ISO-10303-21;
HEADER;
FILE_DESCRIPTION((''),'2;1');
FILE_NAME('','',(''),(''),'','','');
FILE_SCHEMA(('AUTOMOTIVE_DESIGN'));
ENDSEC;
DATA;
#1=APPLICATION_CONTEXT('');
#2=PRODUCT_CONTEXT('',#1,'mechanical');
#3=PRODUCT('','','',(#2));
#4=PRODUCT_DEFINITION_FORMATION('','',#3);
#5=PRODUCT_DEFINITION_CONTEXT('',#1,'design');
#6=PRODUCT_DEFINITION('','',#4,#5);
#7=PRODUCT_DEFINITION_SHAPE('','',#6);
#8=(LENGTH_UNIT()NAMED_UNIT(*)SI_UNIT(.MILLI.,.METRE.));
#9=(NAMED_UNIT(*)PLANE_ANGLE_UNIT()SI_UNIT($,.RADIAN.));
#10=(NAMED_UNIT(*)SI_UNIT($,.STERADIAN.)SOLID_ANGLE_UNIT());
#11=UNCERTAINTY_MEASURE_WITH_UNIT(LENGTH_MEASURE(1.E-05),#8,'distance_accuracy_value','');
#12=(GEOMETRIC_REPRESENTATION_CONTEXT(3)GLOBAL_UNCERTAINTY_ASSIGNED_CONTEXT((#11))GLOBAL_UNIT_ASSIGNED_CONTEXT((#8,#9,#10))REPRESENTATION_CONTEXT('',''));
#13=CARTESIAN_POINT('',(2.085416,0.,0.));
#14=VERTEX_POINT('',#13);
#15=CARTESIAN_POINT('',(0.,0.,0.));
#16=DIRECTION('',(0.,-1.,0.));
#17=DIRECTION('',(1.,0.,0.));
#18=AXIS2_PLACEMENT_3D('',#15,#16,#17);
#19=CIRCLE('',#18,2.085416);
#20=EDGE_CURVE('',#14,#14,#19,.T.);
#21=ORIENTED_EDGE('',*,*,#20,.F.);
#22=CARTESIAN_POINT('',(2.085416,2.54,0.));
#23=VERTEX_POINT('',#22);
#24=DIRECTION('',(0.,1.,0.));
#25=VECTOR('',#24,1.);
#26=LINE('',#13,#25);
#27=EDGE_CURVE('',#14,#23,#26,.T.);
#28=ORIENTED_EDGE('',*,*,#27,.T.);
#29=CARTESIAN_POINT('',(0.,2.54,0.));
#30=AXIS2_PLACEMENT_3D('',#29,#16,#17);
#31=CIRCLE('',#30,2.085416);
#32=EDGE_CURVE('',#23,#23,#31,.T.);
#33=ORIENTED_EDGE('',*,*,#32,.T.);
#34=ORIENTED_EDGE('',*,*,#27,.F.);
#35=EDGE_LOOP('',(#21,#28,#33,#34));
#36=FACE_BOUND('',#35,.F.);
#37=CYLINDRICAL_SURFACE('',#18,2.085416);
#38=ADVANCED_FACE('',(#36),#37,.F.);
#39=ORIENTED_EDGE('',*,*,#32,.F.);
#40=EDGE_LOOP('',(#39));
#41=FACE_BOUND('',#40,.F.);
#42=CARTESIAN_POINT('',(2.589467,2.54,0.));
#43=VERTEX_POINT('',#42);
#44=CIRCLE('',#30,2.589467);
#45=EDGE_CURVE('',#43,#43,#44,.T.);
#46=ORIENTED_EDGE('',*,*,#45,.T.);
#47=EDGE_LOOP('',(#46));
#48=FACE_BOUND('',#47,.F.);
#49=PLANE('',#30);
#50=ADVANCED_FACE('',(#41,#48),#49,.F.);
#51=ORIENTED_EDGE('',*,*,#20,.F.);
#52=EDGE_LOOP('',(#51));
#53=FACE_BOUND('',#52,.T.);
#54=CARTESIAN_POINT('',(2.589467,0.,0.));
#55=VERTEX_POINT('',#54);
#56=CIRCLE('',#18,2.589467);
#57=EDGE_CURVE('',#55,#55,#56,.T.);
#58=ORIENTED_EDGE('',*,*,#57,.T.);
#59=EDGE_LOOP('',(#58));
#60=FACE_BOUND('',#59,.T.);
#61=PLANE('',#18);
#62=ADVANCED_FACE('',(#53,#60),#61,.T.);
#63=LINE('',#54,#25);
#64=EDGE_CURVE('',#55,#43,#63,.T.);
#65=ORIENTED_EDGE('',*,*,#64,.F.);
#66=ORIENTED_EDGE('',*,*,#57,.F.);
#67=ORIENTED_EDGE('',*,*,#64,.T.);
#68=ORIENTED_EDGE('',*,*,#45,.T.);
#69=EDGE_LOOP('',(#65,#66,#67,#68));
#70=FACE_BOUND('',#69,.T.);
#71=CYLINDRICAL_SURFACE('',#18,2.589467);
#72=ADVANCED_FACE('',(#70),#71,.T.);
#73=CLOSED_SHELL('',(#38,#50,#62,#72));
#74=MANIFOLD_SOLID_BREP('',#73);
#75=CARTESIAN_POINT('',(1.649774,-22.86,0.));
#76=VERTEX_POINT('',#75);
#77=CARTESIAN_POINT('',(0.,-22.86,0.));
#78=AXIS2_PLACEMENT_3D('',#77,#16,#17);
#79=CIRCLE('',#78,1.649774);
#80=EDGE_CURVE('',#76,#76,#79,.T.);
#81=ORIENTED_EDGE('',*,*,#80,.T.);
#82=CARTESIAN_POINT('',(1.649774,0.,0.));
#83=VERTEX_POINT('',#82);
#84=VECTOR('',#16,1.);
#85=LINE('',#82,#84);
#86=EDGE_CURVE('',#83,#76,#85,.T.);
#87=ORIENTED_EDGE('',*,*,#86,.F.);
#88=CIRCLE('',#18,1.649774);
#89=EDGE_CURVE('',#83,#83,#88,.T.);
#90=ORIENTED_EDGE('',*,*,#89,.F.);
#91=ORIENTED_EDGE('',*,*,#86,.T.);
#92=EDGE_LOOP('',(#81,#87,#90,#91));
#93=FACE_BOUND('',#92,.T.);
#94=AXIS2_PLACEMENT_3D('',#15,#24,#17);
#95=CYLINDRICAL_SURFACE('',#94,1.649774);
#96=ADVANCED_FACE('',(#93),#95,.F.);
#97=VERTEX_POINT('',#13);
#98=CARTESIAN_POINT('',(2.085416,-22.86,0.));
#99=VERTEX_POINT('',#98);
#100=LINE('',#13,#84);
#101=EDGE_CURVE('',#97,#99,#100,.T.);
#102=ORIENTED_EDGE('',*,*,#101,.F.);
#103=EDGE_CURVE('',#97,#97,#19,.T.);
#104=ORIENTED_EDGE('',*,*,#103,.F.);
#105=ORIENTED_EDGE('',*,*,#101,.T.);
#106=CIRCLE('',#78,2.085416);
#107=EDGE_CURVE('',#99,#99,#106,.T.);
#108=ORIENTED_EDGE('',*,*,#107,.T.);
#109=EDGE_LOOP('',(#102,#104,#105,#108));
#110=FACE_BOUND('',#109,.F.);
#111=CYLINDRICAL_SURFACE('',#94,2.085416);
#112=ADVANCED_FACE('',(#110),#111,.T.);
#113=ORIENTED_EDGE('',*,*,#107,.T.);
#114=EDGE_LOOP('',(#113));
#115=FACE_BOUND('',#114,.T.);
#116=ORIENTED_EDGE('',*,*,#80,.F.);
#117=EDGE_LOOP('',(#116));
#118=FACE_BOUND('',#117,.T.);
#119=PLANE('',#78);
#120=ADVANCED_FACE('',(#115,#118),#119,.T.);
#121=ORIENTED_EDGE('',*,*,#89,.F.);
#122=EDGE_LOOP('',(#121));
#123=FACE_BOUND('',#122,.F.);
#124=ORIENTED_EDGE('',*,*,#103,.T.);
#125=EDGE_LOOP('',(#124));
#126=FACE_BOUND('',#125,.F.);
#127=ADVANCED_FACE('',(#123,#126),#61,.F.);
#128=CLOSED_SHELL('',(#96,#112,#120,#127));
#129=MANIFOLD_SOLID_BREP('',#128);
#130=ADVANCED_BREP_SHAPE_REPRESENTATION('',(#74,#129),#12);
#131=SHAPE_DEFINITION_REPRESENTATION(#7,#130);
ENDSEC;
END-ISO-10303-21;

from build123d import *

# Parameters (mm, degrees)
F0_R     = 2.085416
F0_R_2   = 1.649774
F1_DEPTH = 22.86
F0_R_3   = 2.589467
F3_DEPTH = 2.54


with BuildPart() as f1:
    # F0 (on Front) → F1 (new body)
    with BuildSketch(Plane.XZ):
        Circle(F0_R)
        Circle(F0_R_2, mode=Mode.SUBTRACT)
    extrude(amount=F1_DEPTH)


with BuildPart() as f3:
    # F0 (on Front) → F3 (new body)
    with BuildSketch(Plane.XZ):
        Circle(F0_R_3)
        Circle(F0_R, mode=Mode.SUBTRACT)
    extrude(amount=-F3_DEPTH)


solid = Compound([f1.part, f3.part])
